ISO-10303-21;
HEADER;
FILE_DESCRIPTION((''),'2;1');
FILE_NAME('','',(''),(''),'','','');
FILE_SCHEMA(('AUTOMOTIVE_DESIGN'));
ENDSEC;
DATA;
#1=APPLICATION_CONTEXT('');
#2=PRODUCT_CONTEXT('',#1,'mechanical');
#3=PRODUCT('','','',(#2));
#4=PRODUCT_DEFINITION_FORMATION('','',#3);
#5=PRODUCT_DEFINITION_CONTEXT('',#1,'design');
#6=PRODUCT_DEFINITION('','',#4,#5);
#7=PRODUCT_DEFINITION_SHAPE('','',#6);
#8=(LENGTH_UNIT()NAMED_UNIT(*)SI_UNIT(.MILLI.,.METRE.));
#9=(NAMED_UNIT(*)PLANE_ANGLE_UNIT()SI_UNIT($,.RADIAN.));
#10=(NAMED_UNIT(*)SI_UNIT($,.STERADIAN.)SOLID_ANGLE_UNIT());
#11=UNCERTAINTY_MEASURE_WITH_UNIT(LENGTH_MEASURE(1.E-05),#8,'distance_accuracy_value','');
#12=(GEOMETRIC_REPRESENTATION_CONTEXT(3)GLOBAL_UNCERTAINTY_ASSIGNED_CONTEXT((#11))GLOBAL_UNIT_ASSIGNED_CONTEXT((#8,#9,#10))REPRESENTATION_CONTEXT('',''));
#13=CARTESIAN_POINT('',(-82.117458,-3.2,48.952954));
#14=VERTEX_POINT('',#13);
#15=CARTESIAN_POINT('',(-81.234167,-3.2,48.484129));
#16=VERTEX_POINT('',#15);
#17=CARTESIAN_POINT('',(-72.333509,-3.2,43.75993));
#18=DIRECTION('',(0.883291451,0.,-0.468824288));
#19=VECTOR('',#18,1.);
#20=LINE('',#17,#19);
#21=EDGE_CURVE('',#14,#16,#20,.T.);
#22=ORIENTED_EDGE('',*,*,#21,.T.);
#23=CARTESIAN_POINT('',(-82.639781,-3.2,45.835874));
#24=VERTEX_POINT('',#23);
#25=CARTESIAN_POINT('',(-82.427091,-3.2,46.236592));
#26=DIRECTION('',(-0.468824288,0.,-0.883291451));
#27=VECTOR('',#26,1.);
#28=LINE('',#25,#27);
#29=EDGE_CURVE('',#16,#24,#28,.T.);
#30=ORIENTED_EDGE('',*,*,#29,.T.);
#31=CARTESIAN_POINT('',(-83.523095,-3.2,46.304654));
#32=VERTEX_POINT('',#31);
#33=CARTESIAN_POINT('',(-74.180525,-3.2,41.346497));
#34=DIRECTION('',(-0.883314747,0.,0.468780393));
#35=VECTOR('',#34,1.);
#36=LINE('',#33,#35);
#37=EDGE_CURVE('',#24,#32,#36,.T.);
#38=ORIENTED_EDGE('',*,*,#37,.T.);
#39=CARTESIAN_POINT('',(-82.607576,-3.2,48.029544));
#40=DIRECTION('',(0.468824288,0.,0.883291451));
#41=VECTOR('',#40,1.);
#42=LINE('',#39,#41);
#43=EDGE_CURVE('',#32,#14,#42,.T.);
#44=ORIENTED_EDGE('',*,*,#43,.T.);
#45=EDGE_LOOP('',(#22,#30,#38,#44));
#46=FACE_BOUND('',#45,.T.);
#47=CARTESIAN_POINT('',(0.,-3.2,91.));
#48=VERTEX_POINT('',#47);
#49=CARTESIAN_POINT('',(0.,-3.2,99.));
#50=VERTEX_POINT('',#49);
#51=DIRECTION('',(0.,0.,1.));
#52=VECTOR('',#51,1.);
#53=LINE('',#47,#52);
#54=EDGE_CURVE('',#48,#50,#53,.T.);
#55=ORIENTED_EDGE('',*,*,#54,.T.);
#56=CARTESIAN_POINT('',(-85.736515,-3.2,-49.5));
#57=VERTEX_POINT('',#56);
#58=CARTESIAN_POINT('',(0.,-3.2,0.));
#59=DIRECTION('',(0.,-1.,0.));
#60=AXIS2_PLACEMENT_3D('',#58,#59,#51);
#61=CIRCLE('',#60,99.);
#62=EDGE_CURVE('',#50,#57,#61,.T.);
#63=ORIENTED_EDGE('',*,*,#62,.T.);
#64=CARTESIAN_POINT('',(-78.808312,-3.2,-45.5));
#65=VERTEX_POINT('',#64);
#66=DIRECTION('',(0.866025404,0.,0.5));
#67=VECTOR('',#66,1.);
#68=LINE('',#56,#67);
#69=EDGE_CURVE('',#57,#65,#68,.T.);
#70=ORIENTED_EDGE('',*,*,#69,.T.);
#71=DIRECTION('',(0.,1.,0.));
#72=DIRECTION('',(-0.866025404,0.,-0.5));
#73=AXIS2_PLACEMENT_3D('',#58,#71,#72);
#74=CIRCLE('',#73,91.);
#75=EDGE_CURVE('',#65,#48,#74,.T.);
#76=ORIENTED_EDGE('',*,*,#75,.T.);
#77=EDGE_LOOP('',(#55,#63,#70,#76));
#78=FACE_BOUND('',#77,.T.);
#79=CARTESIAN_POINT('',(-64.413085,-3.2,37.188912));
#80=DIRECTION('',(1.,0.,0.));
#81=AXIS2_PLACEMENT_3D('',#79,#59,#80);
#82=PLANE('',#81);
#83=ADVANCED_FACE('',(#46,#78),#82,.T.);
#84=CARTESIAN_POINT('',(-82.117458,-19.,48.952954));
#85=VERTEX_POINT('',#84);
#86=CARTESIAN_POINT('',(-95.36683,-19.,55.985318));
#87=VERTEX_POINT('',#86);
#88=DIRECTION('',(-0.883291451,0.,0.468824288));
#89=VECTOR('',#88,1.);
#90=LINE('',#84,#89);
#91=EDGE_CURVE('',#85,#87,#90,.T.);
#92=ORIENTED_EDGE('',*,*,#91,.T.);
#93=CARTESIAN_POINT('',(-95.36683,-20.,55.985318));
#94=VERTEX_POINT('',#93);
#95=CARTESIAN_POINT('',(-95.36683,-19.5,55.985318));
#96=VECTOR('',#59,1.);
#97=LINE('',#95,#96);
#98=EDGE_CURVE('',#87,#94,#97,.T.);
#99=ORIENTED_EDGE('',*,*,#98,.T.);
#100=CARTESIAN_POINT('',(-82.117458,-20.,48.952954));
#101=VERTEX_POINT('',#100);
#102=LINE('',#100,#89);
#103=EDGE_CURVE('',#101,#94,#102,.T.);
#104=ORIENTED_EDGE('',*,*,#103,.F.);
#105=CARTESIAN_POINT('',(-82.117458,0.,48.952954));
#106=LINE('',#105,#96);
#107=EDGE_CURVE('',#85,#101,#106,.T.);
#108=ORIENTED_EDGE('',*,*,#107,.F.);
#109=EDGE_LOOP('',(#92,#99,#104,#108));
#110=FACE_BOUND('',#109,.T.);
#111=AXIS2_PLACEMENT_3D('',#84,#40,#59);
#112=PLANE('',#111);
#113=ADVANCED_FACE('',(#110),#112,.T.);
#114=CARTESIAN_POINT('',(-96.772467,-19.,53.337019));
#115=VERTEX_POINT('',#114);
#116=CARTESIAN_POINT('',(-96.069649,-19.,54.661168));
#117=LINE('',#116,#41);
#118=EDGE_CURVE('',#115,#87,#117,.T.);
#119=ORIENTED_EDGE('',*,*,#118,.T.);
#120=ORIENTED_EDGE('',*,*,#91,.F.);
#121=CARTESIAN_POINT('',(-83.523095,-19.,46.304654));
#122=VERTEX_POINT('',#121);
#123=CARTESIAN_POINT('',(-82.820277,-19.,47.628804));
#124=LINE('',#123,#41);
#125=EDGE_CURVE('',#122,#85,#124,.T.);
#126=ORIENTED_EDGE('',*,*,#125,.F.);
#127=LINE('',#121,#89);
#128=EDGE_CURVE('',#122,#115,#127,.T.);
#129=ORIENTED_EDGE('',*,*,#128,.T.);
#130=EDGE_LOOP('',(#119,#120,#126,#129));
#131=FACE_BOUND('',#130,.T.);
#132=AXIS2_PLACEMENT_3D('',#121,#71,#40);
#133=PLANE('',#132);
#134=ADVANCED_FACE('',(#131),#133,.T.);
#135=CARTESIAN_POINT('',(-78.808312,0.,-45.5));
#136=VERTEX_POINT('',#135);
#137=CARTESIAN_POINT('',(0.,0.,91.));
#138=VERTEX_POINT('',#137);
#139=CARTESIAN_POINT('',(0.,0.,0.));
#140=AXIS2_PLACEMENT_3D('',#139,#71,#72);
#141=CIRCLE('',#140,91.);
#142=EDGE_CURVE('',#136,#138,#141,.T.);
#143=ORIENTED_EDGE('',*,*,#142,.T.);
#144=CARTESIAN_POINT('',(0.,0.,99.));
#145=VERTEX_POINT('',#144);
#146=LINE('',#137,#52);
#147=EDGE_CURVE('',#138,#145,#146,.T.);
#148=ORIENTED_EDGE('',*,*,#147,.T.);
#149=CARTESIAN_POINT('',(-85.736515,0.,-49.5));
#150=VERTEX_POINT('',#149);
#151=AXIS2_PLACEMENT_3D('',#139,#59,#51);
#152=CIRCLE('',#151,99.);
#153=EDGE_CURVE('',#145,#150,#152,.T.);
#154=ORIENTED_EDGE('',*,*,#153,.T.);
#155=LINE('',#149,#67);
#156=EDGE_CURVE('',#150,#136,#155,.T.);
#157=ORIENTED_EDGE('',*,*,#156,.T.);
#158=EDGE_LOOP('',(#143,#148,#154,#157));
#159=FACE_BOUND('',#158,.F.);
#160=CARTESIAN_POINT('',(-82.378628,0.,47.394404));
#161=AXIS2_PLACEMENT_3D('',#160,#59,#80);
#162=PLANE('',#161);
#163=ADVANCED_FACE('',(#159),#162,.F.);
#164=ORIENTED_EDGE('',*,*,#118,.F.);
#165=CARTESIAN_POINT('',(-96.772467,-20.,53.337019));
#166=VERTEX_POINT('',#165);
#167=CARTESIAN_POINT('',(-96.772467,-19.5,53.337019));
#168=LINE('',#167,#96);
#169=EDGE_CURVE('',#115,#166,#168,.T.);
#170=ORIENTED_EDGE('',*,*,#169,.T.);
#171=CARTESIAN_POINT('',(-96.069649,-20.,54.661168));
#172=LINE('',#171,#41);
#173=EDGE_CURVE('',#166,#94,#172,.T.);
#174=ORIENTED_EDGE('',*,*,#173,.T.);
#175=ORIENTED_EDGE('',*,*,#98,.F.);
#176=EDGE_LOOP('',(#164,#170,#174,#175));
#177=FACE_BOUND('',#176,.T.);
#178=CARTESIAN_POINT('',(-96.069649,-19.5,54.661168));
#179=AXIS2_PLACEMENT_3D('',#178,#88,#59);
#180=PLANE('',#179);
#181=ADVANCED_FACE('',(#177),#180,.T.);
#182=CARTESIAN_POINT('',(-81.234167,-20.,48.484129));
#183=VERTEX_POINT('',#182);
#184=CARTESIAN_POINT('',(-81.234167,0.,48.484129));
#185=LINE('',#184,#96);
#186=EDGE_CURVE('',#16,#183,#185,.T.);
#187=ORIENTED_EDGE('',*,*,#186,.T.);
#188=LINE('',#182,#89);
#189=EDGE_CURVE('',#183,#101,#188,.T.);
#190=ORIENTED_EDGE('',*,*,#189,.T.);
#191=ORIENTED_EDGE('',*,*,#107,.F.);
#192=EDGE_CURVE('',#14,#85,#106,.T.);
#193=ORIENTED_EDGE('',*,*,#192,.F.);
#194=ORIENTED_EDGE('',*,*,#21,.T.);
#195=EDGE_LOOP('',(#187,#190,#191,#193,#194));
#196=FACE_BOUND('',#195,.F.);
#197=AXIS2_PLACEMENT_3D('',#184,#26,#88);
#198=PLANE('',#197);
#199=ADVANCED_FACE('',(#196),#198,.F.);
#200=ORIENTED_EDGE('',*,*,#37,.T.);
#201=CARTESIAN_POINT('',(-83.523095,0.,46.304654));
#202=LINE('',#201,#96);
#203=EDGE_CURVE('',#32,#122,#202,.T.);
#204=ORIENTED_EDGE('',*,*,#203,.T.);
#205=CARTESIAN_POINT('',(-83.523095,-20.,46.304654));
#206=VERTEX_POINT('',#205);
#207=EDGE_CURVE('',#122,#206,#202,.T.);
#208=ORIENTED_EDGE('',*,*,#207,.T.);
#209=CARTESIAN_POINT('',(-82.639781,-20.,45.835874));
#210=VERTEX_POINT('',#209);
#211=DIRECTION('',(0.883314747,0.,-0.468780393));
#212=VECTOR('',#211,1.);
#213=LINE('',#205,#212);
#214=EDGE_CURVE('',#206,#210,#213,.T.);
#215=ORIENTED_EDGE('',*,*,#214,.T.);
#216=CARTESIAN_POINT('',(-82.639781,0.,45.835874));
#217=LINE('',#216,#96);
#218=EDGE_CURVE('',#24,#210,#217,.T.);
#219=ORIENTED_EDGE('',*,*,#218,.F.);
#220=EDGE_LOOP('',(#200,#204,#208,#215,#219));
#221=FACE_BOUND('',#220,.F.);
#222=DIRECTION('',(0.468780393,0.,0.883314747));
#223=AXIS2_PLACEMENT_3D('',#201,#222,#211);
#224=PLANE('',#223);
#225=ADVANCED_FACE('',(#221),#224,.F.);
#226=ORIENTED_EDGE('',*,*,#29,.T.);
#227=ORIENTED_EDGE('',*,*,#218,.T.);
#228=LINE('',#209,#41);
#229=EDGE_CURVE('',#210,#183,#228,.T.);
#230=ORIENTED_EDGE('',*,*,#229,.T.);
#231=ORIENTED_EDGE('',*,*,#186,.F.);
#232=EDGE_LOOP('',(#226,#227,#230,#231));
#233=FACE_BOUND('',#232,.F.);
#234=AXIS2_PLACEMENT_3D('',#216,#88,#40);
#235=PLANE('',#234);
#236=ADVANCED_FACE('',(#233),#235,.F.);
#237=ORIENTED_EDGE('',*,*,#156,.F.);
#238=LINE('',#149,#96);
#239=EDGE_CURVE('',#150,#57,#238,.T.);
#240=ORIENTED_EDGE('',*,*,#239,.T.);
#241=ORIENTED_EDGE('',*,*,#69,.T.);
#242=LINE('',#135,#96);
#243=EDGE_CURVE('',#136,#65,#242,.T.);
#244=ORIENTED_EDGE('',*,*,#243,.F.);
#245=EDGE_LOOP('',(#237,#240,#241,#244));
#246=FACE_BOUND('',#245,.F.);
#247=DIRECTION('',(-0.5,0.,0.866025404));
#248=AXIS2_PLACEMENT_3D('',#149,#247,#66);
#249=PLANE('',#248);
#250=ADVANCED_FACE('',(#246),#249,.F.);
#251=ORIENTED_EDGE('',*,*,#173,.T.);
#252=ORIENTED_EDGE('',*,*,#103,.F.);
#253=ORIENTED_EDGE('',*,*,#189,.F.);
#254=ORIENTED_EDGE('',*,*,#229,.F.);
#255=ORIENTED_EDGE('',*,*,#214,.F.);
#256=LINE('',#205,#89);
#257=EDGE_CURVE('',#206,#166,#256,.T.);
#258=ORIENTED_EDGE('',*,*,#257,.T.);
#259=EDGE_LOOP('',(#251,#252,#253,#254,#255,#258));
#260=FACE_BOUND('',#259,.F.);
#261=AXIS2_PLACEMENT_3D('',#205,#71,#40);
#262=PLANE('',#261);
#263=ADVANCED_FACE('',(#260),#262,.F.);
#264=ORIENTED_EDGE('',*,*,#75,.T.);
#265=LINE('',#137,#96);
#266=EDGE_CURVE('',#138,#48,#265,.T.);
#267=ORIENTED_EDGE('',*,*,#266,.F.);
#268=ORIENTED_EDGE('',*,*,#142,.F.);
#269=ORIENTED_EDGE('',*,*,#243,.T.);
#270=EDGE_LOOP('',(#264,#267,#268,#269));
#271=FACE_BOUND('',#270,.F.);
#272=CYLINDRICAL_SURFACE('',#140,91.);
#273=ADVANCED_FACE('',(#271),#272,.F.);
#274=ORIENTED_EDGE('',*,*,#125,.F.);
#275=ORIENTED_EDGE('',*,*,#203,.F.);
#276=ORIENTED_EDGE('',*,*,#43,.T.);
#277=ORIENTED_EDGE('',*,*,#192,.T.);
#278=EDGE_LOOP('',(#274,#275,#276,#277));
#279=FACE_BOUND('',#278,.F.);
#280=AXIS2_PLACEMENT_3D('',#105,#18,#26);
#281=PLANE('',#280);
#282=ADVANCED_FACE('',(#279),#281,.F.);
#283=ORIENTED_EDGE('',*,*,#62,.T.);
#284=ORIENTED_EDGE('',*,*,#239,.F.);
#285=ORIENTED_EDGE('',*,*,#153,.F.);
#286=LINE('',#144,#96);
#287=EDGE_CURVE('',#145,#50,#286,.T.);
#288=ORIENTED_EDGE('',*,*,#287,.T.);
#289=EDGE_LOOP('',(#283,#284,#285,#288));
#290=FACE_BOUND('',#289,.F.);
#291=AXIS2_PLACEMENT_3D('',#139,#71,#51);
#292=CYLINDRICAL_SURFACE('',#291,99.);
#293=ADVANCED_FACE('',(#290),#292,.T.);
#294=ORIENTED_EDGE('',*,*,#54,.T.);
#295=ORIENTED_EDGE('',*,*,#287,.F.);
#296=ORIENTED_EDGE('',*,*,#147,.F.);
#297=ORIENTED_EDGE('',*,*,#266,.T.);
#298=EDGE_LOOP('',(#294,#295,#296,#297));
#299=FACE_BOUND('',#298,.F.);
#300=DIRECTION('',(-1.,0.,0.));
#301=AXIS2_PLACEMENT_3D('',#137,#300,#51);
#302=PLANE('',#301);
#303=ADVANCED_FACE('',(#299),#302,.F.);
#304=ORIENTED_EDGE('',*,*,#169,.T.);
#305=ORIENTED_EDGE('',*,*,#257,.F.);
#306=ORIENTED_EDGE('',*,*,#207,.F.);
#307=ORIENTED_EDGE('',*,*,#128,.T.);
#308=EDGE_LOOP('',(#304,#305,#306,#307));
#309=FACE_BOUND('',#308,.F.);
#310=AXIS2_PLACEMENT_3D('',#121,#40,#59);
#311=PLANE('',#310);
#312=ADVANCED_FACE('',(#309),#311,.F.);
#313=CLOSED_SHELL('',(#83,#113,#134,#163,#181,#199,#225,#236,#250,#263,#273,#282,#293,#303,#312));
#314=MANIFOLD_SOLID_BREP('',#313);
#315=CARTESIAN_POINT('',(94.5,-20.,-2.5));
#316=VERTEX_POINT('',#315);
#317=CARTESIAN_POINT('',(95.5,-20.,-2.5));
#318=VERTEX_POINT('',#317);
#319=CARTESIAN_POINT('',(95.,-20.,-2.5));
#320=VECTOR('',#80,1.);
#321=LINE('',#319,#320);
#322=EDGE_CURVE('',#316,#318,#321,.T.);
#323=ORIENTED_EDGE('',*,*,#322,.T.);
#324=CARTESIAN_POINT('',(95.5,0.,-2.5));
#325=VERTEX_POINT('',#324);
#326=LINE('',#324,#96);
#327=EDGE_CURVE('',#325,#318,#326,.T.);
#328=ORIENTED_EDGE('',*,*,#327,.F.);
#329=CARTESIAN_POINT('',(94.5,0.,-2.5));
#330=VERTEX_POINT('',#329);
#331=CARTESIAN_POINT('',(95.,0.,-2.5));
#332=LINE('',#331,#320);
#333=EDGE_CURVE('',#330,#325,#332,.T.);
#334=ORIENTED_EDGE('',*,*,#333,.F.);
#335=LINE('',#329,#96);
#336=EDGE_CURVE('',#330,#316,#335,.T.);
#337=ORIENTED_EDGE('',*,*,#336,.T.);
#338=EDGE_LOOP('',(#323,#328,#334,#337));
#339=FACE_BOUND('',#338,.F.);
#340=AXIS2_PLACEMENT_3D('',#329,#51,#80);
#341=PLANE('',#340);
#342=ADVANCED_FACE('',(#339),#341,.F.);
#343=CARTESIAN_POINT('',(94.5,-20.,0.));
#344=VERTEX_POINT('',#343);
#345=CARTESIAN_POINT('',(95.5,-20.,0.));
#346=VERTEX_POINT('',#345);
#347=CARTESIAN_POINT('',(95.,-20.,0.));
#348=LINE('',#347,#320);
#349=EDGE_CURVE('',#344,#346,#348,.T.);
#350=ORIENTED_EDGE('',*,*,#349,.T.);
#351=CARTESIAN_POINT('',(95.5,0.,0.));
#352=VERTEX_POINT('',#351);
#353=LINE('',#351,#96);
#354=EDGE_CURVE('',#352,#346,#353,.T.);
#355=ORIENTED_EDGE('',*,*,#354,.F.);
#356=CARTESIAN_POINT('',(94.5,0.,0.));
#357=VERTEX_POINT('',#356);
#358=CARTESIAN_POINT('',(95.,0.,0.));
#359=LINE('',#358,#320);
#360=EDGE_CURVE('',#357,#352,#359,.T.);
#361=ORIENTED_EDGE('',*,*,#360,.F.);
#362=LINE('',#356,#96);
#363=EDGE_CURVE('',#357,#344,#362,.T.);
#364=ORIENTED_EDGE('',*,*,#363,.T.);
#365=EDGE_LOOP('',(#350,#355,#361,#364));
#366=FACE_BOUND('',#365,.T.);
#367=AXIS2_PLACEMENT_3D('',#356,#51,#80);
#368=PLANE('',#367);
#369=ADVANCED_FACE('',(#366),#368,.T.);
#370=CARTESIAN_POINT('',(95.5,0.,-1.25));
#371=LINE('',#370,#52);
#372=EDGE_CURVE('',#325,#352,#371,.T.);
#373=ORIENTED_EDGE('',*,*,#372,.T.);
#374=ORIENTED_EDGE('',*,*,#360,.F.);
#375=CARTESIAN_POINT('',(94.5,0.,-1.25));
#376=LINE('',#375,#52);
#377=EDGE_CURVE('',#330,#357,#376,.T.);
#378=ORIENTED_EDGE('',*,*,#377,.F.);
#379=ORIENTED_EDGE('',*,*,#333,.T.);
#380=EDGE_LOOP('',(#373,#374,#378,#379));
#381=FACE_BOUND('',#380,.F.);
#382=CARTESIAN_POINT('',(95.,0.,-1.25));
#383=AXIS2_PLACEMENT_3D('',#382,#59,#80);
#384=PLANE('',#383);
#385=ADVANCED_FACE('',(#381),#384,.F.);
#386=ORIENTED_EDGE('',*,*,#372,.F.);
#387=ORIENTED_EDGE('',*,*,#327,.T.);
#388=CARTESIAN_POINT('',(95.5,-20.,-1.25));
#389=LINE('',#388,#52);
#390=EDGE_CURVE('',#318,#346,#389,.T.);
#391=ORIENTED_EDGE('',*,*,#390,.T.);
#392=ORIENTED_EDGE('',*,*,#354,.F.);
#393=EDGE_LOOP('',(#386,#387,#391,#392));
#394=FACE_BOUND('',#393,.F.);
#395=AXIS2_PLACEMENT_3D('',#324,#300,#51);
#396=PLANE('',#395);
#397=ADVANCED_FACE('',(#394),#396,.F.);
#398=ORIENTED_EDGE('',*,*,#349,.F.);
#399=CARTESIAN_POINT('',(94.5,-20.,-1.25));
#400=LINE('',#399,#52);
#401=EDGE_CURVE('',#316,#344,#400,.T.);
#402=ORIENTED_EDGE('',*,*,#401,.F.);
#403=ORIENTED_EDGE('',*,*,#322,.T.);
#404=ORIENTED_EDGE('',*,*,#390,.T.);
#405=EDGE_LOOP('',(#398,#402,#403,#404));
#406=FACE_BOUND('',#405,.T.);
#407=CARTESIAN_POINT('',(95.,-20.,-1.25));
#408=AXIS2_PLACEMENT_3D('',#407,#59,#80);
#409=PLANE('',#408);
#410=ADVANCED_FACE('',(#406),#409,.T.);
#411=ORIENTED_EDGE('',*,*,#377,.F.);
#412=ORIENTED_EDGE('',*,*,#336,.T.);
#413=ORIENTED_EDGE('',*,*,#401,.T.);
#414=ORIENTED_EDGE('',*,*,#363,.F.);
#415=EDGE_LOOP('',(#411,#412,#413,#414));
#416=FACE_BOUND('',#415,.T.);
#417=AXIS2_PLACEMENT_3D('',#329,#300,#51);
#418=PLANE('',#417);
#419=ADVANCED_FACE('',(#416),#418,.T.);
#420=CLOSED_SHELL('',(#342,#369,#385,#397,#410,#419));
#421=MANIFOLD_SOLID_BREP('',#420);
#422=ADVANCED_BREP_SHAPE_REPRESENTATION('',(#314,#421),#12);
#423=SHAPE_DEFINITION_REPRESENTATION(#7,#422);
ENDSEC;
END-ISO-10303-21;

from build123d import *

# Parameters (mm, degrees)
F1_DEPTH = 3.2
F2_W     = 1
F2_H     = 2.5
F3_DEPTH = 20
F4_W     = 1
F4_H     = 2.9982167683
F5_DEPTH = 15


with BuildPart() as f1:
    # F0 (on Front) → F1 (new body)
    with BuildSketch(Plane.XZ):
        with BuildLine():
            ThreePointArc((-78.8083117444, -45.5), (-78.8083117444, 45.5), (0, 91))
            Line((0, 91), (0, 99))
            ThreePointArc((0, 99), (-85.7365149747, 49.5), (-85.7365149747, -49.5))
            Line((-85.7365149747, -49.5), (-78.8083117444, -45.5))
        make_face()
    extrude(amount=F1_DEPTH)

    # F2 (on Front) → F3, piece 2 (join)
    with BuildSketch(Plane.XZ):
        Polygon((-83.0814379502, 46.0702641866), (-82.6397805765, 45.83587399), (-81.2341670322, 48.4841293343), (-82.1174584818, 48.9529536219), (-83.5230953239, 46.3046543832), align=None)
    extrude(amount=F3_DEPTH)

    # F4 (on face) → F5 (join)
    with BuildSketch(Plane(origin=(-84.3401855631, 0, 44.7652102012), x_dir=(0, -1, 0), z_dir=(-0.8832914507, 0, 0.4688242881))):
        with Locations((19.5, 3.2419580186)):
            Rectangle(F4_W, F4_H)
    extrude(amount=F5_DEPTH)


with BuildPart() as f3:
    # F2 (on Front) → F3 (new body)
    with BuildSketch(Plane.XZ):
        with Locations((95, -1.25)):
            Rectangle(F2_W, F2_H)
    extrude(amount=F3_DEPTH)


solid = Compound([f1.part, f3.part])
